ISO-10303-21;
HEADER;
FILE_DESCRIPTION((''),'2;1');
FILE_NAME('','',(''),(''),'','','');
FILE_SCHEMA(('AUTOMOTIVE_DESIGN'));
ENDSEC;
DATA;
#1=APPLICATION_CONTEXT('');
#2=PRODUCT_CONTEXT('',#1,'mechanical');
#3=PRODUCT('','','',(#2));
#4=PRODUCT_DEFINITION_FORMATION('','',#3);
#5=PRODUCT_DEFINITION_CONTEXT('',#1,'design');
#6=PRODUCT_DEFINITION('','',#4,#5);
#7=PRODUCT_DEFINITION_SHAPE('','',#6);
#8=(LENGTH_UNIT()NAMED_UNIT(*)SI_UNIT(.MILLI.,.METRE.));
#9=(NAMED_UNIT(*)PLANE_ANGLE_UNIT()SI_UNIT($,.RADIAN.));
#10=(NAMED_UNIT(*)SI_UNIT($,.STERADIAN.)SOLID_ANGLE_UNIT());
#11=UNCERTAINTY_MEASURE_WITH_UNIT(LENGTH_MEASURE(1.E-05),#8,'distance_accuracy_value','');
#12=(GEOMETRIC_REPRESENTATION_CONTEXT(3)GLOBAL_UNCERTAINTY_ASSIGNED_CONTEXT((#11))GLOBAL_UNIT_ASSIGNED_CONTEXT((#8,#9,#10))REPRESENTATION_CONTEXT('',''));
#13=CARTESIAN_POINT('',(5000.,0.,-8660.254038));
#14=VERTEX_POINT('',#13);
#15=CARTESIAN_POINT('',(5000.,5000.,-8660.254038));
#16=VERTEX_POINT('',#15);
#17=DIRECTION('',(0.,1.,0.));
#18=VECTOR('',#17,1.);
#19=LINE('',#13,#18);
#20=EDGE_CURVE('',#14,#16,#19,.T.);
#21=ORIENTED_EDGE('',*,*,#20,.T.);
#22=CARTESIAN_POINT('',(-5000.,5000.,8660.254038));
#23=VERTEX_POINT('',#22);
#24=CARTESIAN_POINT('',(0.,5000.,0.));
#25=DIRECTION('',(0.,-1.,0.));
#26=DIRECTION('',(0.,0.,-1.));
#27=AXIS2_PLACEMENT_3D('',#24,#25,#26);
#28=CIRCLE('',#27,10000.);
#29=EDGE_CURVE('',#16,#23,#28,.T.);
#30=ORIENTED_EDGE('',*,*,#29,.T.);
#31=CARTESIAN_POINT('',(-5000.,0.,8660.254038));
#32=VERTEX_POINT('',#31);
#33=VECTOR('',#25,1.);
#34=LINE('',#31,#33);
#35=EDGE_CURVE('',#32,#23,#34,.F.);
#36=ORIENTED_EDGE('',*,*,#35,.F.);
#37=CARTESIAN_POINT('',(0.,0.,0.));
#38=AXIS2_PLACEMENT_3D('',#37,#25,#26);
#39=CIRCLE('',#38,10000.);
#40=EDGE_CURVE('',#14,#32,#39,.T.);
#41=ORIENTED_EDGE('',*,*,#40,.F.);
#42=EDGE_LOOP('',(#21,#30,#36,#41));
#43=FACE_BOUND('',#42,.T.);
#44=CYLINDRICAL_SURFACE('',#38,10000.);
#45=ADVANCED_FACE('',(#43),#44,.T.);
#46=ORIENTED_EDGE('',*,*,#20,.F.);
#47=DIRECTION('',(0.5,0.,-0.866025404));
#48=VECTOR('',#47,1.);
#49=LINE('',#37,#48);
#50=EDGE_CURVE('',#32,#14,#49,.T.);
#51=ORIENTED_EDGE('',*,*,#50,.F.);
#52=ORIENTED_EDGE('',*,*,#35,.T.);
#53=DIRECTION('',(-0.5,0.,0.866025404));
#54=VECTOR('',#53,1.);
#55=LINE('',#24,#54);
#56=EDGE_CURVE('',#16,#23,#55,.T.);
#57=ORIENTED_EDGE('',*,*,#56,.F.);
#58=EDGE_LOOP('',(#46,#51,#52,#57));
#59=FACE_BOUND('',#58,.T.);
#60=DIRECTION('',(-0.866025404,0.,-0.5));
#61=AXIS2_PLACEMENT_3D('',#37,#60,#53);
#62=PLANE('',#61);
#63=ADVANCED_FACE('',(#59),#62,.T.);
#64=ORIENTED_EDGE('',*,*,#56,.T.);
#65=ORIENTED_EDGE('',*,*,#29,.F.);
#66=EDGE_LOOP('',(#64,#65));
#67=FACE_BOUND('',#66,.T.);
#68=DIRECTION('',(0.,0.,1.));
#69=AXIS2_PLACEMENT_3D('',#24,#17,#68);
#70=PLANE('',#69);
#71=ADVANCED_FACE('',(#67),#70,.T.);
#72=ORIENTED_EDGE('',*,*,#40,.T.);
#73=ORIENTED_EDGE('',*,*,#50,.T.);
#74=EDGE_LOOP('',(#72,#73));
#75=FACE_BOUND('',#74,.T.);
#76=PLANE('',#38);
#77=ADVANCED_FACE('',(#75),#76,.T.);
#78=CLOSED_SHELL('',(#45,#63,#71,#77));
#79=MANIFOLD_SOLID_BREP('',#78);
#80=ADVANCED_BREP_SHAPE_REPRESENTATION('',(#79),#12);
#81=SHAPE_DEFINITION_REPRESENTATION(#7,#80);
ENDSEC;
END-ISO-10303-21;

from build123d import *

# Parameters (mm, degrees)
SKETCH5_W               = 10000
SKETCH5_H               = 5000
REVOLVE1_ANGLE          = 330
CUT_EXTRUDE1_DEPTH      = 1
CUT_EXTRUDE1_DEPTH_BACK = 5001


with BuildPart() as part:
    # Sketch5 → Revolve1 (revolve)
    with BuildSketch(Plane(origin=(0, 0, 0), x_dir=(0, 0, -1), z_dir=(1, 0, 0))):
        with Locations((5000, 2500)):
            Rectangle(SKETCH5_W, SKETCH5_H)
    revolve(axis=Axis((0, 0, 0), (0, 1, 0)), revolution_arc=REVOLVE1_ANGLE)

    # Sketch6 → Cut-Extrude1 (cut, two sides)
    with BuildSketch(Plane(origin=(0, 5000, 0), x_dir=(1, 0, 0), z_dir=(0, 1, 0))) as cut_extrude1_sk:
        Polygon((0, 0), (-6270.925142449, -10861.560957183), (-18667.396460838, 4058.560061627), (972.453773693, 11788.52125661), align=None)
    extrude(amount=CUT_EXTRUDE1_DEPTH, mode=Mode.SUBTRACT)
    extrude(cut_extrude1_sk.sketch, amount=-CUT_EXTRUDE1_DEPTH_BACK, mode=Mode.SUBTRACT)


solid = part.part
